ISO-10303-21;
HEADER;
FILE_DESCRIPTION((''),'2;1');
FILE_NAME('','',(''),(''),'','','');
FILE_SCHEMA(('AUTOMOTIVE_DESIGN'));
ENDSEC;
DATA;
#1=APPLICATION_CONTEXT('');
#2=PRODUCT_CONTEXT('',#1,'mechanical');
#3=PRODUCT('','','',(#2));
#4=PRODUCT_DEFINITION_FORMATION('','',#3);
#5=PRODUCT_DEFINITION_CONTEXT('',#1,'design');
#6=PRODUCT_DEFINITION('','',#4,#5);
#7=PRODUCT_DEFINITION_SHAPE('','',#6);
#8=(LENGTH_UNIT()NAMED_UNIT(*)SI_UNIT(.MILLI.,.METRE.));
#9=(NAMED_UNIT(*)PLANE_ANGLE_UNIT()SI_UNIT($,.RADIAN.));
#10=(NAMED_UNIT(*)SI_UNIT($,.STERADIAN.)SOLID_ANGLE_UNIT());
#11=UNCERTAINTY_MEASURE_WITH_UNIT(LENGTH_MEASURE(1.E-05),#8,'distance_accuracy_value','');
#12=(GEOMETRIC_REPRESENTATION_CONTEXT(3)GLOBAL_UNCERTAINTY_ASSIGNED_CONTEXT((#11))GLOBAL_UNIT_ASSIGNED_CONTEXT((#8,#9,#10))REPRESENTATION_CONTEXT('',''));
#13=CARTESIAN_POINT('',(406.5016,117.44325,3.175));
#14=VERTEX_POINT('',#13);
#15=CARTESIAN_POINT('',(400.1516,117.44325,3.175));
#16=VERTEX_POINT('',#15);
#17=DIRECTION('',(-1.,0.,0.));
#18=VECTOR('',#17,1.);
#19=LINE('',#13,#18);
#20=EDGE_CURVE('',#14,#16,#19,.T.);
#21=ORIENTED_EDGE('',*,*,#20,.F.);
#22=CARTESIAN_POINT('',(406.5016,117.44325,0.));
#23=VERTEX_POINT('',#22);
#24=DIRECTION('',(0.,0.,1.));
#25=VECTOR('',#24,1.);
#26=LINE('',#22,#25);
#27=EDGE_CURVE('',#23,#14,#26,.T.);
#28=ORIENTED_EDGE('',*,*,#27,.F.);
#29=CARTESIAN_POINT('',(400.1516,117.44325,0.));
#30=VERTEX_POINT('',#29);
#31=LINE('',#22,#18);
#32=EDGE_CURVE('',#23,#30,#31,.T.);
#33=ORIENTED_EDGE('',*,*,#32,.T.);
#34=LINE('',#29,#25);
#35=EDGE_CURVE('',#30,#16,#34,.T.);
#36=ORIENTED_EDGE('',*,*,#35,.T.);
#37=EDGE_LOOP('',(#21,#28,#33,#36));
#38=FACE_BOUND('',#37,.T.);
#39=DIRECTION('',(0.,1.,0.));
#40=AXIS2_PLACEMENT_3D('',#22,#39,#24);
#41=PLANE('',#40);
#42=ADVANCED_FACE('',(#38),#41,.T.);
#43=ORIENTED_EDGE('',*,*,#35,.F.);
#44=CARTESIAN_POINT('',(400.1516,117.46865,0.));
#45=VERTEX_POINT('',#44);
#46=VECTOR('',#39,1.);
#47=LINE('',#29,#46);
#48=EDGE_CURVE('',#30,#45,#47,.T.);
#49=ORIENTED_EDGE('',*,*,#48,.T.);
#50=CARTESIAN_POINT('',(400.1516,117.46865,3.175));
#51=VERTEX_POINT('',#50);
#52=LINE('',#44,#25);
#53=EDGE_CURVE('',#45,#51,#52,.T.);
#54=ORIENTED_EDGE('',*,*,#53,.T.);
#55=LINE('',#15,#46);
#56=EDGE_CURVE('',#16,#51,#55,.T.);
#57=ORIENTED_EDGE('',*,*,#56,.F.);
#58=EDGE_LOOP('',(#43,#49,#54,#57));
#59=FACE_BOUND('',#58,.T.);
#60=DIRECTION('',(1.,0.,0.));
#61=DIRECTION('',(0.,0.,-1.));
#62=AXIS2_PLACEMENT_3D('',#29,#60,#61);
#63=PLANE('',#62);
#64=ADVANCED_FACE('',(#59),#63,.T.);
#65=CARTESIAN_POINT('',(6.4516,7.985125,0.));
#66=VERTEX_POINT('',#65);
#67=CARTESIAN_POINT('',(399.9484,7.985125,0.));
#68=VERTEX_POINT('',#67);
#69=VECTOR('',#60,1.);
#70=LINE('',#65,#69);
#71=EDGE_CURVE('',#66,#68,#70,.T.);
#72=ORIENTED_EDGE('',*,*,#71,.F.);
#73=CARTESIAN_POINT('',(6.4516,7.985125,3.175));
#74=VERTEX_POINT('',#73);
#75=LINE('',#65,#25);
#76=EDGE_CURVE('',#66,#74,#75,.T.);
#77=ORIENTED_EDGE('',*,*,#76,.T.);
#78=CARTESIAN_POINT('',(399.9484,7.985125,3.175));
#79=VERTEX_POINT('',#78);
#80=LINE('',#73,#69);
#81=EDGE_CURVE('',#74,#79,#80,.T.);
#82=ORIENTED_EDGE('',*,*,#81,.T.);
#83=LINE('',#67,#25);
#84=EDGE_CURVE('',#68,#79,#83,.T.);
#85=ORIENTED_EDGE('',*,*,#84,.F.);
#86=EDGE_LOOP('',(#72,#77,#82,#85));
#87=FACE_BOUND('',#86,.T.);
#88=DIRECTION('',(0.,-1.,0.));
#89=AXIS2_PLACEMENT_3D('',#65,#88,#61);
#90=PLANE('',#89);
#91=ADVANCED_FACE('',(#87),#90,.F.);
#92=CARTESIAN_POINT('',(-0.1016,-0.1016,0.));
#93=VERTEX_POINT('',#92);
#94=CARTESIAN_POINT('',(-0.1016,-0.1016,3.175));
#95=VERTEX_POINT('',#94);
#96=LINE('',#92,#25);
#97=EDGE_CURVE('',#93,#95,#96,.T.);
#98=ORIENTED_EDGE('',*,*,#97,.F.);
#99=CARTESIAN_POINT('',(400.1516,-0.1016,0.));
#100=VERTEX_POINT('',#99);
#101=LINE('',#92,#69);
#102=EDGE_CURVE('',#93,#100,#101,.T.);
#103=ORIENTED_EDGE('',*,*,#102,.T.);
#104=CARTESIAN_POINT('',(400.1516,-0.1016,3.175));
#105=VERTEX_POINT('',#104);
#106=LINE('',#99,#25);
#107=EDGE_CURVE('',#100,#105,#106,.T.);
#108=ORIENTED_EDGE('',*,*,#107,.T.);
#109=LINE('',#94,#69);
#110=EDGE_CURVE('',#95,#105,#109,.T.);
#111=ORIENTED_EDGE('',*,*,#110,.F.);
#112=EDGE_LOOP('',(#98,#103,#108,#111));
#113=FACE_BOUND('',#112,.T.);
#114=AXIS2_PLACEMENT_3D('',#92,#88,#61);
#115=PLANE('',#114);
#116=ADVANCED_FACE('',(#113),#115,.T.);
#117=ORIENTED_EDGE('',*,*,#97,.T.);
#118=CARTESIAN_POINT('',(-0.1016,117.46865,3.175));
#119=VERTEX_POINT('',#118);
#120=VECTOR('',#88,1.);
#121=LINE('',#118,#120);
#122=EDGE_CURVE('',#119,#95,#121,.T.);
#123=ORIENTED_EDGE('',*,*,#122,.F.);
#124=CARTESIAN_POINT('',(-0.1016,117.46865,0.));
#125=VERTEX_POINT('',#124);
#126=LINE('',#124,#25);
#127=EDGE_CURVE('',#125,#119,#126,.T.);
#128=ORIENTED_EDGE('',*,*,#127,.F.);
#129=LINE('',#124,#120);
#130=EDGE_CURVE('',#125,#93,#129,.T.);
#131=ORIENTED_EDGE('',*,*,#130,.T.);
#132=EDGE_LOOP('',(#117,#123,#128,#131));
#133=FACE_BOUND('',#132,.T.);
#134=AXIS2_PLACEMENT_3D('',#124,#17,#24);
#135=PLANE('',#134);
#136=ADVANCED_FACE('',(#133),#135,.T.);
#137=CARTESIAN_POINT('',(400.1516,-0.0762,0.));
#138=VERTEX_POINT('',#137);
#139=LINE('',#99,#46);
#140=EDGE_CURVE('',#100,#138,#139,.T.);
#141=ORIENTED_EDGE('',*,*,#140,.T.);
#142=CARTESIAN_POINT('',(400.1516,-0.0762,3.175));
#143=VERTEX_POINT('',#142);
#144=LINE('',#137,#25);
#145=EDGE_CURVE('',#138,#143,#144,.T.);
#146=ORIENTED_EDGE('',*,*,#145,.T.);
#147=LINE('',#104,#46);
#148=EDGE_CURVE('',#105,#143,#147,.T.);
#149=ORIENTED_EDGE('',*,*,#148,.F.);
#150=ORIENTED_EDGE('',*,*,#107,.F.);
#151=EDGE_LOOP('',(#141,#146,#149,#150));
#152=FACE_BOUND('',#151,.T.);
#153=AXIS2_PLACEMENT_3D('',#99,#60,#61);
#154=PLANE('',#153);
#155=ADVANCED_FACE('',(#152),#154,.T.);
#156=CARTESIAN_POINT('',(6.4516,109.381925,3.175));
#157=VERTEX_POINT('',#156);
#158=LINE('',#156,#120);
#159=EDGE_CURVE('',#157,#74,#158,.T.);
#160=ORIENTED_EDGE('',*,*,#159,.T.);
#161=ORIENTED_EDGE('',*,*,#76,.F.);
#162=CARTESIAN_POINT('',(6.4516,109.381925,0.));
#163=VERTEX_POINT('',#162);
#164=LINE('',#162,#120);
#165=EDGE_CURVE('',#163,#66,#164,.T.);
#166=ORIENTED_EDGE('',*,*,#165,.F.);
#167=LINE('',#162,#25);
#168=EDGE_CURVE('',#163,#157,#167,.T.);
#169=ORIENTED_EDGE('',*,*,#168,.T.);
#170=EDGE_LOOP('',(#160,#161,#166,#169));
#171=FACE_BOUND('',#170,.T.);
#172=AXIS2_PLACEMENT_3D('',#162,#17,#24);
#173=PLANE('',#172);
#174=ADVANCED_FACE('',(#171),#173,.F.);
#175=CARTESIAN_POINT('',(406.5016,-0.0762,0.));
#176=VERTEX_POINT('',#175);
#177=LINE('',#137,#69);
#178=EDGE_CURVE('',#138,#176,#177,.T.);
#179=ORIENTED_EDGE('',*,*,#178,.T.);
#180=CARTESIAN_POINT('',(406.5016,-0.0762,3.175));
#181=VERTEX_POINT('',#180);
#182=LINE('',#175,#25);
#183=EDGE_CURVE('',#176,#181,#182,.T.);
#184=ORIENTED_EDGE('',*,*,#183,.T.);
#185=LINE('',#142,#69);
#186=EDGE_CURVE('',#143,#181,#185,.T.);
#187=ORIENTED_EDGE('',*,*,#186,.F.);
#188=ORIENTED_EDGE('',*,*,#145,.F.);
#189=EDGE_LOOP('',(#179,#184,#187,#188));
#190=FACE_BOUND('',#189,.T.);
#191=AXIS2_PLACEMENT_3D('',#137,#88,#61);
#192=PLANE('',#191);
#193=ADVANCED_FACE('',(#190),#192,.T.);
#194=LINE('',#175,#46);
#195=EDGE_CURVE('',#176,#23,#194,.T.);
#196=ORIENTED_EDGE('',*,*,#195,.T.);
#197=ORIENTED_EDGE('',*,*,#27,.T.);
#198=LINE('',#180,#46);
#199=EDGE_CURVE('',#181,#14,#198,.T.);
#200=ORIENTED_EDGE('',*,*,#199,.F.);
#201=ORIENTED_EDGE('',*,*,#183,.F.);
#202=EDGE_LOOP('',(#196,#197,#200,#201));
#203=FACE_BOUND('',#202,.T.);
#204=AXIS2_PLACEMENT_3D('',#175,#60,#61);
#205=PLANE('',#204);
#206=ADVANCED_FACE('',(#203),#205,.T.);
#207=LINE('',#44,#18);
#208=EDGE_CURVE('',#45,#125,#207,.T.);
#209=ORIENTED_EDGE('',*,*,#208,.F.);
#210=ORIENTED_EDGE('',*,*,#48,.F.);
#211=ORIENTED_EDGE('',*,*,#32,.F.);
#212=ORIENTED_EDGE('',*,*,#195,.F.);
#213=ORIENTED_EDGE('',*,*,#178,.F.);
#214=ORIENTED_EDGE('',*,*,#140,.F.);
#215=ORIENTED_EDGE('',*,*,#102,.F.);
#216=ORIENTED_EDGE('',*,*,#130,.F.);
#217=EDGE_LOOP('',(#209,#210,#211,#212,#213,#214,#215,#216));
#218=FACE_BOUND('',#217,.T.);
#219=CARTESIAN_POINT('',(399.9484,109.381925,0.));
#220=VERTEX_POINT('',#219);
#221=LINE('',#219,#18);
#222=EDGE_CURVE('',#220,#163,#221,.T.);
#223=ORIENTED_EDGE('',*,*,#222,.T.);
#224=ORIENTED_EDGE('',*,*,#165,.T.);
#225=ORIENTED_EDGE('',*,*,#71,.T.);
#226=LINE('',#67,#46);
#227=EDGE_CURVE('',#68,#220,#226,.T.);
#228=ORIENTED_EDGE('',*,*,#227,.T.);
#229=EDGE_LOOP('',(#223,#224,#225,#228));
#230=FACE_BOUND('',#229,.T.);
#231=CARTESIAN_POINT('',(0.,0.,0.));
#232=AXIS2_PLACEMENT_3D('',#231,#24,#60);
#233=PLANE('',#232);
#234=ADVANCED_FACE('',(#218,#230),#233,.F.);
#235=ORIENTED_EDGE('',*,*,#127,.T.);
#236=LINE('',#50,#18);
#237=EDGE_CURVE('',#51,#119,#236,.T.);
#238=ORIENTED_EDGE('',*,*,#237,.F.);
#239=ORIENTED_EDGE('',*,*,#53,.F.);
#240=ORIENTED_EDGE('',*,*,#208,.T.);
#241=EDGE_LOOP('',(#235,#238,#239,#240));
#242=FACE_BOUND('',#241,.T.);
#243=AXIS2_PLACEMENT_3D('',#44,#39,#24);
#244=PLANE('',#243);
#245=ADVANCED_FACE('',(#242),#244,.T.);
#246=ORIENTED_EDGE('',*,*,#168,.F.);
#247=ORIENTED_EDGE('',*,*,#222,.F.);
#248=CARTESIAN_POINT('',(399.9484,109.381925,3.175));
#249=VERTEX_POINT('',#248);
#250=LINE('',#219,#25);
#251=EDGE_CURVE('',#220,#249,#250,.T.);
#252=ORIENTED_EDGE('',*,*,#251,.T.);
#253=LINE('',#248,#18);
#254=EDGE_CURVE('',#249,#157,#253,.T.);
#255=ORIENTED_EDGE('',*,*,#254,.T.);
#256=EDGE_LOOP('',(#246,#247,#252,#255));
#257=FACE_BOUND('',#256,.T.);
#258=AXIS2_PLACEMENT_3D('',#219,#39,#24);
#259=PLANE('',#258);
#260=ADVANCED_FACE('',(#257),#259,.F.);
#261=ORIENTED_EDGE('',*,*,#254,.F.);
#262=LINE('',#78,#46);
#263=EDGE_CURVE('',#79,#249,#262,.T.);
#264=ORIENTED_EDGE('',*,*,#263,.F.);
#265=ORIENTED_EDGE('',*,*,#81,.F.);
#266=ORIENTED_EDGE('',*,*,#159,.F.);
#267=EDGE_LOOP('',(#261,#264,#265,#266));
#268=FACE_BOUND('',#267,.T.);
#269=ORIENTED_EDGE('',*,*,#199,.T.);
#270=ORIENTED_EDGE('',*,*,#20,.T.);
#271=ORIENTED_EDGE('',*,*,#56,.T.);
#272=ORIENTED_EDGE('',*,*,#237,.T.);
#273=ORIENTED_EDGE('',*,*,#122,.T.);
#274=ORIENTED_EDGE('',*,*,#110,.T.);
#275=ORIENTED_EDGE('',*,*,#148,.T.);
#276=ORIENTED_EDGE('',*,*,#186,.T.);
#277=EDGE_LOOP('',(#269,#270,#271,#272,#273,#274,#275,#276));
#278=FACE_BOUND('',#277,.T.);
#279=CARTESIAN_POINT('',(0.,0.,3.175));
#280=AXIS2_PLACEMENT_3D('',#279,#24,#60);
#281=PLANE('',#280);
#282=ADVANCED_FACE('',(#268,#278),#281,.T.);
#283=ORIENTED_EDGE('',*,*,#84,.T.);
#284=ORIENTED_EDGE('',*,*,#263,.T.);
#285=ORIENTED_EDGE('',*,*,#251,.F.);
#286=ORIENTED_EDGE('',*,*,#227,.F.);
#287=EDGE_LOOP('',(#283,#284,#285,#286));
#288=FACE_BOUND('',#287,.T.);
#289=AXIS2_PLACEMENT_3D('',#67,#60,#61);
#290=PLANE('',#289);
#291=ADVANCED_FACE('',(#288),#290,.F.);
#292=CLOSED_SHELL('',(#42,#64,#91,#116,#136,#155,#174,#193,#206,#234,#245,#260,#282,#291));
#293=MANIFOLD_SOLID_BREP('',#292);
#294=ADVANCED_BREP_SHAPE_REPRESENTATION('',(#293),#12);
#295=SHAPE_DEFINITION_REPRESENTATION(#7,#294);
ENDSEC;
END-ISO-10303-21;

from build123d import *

# Parameters (mm, degrees)
SKETCH1_W           = 393.7
SKETCH1_H           = 101.6
BOSS_EXTRUDE1_DEPTH = 3.175
SKETCH2_W           = 393.4968
SKETCH2_H           = 101.3968
BOSS_EXTRUDE2_DEPTH = 3.175


with BuildPart() as part:
    # Sketch1 → Boss-Extrude1 (new body)
    with BuildSketch(Plane.XY):
        Polygon((0, 0), (400.05, 0), (400.05, 0.0254), (406.4, 0.0254), (406.4, 0), (406.4, 117.36705), (406.4, 117.34165), (400.05, 117.34165), (400.05, 117.36705), (0, 117.36705), align=None)
        with Locations((203.2, 58.683525)):
            Rectangle(SKETCH1_W, SKETCH1_H, mode=Mode.SUBTRACT)
    extrude(amount=BOSS_EXTRUDE1_DEPTH)

    # Sketch2 → Boss-Extrude2 (add)
    with BuildSketch(Plane.XY.offset(3.175)):
        Polygon((400.1516, 117.46865), (-0.1016, 117.46865), (-0.1016, -0.1016), (400.1516, -0.1016), (400.1516, -0.0762), (406.5016, -0.0762), (406.5016, 117.44325), (400.1516, 117.44325), align=None)
        with Locations((203.2, 58.683525)):
            Rectangle(SKETCH2_W, SKETCH2_H, mode=Mode.SUBTRACT)
    extrude(amount=-BOSS_EXTRUDE2_DEPTH)


solid = part.part
